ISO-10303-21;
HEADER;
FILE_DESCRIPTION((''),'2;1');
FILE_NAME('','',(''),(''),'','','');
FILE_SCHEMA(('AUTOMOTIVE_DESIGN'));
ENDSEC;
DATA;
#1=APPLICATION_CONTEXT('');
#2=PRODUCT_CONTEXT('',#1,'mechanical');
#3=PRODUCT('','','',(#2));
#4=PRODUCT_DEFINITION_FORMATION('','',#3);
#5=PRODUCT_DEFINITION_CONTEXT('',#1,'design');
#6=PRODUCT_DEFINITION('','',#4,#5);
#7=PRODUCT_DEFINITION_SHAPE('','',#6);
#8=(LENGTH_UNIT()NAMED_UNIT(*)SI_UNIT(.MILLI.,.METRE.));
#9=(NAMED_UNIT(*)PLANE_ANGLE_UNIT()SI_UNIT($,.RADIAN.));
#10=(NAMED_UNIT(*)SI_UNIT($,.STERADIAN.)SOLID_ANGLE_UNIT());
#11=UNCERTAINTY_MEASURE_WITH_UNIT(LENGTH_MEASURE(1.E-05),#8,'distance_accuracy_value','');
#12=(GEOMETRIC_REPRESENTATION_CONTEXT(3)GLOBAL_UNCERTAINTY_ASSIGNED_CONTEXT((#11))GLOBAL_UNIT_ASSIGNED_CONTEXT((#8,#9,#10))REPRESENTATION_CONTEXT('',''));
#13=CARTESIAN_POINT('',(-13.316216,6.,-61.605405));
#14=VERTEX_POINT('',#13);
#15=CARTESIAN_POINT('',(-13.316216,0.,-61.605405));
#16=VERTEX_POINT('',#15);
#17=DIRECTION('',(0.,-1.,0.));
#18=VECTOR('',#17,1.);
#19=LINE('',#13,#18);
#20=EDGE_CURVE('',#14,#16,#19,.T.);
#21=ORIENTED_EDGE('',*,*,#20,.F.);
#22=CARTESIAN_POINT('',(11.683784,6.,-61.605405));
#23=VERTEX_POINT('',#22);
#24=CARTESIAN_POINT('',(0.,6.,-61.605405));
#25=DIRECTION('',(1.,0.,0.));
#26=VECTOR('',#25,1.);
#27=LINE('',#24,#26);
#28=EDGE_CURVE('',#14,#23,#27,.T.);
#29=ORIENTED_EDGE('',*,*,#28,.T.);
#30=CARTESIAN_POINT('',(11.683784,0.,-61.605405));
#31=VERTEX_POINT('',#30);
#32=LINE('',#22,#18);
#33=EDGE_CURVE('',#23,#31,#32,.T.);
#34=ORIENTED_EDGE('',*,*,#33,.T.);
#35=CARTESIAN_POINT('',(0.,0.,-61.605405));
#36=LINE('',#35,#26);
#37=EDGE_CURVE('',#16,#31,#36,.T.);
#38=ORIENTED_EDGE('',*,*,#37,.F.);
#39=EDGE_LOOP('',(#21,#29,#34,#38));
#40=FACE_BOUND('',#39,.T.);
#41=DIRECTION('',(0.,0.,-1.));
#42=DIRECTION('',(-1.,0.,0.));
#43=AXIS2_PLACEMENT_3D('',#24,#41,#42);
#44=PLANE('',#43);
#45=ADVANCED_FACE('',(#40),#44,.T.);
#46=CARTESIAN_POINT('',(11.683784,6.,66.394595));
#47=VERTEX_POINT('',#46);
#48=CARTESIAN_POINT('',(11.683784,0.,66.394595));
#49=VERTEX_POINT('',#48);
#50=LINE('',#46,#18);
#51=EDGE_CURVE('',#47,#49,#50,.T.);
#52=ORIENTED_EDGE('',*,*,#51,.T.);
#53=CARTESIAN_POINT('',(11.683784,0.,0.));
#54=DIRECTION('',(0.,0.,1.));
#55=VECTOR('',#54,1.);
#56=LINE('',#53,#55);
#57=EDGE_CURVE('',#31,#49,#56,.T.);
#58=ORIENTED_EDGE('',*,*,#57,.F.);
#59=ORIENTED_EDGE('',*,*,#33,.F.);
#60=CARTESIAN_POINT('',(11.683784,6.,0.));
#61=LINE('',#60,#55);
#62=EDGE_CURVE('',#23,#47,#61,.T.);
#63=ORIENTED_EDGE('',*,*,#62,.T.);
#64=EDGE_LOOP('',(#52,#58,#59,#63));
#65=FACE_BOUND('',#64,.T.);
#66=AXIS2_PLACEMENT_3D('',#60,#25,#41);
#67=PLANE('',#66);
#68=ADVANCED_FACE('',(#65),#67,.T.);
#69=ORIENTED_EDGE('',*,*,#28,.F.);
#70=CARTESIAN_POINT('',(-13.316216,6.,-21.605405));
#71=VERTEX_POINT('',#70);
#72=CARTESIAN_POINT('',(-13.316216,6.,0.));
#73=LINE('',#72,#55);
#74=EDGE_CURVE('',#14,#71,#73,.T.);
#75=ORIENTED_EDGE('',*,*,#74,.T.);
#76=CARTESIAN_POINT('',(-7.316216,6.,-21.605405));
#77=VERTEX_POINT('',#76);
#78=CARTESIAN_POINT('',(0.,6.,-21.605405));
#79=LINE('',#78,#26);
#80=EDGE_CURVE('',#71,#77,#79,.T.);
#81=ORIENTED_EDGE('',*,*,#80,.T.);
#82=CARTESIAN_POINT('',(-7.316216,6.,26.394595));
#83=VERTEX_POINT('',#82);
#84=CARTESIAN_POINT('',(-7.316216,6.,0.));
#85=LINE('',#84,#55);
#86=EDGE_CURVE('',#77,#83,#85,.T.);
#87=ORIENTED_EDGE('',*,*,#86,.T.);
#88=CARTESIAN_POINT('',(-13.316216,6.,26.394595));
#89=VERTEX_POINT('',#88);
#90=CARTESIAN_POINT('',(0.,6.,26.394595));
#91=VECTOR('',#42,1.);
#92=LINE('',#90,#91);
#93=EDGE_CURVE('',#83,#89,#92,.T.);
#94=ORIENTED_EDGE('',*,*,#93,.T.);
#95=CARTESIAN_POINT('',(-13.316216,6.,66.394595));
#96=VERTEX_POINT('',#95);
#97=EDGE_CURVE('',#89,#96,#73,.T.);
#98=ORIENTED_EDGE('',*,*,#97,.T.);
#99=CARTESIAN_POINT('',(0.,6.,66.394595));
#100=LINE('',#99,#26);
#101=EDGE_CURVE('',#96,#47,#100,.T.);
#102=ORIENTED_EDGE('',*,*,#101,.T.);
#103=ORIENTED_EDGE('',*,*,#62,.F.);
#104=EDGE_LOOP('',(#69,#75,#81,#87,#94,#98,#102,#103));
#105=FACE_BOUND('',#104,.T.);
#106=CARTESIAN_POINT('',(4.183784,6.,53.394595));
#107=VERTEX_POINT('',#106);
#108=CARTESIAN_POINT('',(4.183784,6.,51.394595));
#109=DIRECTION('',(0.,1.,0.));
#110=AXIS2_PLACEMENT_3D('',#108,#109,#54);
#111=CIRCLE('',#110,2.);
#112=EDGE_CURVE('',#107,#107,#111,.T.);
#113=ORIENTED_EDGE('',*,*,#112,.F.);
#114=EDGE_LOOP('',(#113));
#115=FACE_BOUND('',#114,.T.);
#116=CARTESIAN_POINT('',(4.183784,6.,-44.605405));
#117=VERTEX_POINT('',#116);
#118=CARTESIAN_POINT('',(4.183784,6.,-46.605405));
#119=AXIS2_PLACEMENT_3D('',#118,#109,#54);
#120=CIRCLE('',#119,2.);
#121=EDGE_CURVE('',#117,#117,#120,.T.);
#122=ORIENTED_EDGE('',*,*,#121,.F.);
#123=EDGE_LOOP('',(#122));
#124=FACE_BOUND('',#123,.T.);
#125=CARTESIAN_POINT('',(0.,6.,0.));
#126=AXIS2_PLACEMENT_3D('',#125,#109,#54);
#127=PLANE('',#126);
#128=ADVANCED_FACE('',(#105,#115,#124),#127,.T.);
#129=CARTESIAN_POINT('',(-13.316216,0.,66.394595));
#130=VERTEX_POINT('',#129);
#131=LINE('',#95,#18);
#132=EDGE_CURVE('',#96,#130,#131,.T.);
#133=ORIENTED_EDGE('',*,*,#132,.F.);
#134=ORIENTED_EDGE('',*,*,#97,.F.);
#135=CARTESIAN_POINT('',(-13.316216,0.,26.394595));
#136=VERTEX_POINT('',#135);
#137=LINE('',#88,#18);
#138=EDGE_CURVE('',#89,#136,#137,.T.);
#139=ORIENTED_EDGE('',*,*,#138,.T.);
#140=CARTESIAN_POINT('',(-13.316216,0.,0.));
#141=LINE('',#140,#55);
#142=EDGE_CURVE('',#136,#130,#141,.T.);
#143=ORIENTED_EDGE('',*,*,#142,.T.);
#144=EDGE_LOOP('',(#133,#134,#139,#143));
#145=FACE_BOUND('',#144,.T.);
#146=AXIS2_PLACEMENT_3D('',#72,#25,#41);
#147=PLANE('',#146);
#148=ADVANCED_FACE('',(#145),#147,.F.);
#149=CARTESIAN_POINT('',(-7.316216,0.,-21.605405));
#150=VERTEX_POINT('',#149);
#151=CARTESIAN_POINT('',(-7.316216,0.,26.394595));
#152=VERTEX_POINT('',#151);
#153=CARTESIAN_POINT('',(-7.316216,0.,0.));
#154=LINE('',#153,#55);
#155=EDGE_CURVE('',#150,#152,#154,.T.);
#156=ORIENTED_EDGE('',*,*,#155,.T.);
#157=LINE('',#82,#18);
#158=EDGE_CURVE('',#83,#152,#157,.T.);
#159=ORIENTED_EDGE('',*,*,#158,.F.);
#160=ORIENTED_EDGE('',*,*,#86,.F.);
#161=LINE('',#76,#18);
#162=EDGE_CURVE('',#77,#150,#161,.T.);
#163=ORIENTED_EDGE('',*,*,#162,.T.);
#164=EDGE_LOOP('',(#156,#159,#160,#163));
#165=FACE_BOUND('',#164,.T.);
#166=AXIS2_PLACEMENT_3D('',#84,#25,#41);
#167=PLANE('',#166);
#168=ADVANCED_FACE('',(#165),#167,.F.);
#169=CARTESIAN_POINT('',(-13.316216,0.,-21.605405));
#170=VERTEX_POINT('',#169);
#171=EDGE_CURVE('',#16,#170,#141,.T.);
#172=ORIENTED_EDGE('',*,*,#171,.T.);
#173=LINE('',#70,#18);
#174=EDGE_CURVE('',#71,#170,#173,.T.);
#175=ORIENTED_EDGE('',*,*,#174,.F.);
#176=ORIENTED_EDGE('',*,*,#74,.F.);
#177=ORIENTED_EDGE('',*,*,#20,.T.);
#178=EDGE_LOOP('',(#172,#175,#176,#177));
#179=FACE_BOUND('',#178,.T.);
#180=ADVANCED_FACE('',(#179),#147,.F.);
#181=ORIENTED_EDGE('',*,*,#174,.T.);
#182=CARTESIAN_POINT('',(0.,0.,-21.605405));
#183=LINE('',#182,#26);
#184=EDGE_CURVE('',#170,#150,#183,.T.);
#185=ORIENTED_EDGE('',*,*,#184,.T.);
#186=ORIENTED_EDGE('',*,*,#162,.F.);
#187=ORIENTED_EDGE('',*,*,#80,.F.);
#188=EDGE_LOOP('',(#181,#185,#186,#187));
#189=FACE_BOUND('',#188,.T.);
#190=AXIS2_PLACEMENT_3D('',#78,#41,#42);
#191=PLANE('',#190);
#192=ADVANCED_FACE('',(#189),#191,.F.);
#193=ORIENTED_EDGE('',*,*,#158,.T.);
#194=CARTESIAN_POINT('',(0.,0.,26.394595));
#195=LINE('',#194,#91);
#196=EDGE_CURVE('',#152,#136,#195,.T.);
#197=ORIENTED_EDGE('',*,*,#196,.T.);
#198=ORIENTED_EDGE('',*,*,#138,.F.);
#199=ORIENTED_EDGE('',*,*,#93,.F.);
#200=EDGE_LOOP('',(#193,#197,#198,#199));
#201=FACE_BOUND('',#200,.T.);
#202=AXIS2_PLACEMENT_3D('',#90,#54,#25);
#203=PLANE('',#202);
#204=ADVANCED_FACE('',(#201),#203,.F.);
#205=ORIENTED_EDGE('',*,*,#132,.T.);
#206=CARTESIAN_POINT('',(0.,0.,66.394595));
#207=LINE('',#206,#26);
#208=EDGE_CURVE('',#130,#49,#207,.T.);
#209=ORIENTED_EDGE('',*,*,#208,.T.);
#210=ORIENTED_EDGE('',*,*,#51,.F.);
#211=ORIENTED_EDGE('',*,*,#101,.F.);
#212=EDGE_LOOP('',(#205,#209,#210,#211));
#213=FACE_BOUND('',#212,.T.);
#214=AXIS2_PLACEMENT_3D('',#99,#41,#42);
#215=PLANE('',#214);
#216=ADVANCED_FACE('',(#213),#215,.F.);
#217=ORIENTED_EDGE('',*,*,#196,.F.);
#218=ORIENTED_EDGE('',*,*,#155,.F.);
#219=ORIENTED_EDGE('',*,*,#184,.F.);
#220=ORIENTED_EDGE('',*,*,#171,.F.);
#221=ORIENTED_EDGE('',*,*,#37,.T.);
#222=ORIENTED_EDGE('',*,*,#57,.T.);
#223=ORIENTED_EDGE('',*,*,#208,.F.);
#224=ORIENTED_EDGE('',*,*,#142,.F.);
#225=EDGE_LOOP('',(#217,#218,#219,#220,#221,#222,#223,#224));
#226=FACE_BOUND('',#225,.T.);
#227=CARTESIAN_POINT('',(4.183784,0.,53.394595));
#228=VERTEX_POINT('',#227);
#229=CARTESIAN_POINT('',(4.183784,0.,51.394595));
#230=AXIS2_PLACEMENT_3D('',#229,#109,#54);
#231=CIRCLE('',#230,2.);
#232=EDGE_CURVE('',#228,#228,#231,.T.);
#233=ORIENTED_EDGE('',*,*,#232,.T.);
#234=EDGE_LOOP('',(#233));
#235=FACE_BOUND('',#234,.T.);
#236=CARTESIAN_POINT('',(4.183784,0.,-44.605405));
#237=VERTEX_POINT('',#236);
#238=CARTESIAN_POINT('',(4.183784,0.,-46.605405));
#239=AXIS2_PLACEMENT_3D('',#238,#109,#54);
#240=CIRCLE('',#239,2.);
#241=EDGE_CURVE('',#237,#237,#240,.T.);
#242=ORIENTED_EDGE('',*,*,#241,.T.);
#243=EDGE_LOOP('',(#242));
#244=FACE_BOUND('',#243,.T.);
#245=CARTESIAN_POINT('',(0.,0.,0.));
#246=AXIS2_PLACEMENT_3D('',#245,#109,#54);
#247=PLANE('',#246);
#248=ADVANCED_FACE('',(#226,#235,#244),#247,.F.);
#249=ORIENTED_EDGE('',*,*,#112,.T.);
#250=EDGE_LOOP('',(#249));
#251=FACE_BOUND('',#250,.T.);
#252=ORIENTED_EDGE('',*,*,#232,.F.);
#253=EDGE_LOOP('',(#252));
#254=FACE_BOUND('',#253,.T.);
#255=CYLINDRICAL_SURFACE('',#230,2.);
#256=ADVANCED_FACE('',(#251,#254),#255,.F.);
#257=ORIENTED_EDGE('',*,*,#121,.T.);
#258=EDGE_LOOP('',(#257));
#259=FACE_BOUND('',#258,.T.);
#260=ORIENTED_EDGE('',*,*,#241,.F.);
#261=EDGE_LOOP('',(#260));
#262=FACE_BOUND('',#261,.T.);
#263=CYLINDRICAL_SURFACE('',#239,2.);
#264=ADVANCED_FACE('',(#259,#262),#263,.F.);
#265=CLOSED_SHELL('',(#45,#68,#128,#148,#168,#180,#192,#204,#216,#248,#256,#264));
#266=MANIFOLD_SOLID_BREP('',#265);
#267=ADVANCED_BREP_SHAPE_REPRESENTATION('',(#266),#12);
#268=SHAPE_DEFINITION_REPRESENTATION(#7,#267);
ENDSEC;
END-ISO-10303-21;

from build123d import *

# Parameters (mm, degrees)
BOSS_EXTRUDE1_DEPTH = 6
SKETCH2_R           = 2
CUT_EXTRUDE1_DEPTH  = 68.982084447


with BuildPart() as part:
    # Sketch1 → Boss-Extrude1 (new body)
    with BuildSketch(Plane(origin=(0, 0, 0), x_dir=(1, 0, 0), z_dir=(0, 1, 0))):
        Polygon((-13.316216216, 61.605405405), (-13.316216216, 21.605405405), (-7.316216216, 21.605405405), (-7.316216216, -26.394594595), (-13.316216216, -26.394594595), (-13.316216216, -66.394594595), (11.683783784, -66.394594595), (11.683783784, 61.605405405), align=None)
    extrude(amount=BOSS_EXTRUDE1_DEPTH)

    # Sketch2 → Cut-Extrude1 (cut, through all)
    with BuildSketch(Plane(origin=(0, 6, 0), x_dir=(1, 0, 0), z_dir=(0, 1, 0))):
        with Locations((4.183783784, -51.394594595)):
            Circle(SKETCH2_R)
        with Locations((4.183783784, 46.605405405)):
            Circle(SKETCH2_R)
    extrude(amount=-CUT_EXTRUDE1_DEPTH, mode=Mode.SUBTRACT)


solid = part.part
